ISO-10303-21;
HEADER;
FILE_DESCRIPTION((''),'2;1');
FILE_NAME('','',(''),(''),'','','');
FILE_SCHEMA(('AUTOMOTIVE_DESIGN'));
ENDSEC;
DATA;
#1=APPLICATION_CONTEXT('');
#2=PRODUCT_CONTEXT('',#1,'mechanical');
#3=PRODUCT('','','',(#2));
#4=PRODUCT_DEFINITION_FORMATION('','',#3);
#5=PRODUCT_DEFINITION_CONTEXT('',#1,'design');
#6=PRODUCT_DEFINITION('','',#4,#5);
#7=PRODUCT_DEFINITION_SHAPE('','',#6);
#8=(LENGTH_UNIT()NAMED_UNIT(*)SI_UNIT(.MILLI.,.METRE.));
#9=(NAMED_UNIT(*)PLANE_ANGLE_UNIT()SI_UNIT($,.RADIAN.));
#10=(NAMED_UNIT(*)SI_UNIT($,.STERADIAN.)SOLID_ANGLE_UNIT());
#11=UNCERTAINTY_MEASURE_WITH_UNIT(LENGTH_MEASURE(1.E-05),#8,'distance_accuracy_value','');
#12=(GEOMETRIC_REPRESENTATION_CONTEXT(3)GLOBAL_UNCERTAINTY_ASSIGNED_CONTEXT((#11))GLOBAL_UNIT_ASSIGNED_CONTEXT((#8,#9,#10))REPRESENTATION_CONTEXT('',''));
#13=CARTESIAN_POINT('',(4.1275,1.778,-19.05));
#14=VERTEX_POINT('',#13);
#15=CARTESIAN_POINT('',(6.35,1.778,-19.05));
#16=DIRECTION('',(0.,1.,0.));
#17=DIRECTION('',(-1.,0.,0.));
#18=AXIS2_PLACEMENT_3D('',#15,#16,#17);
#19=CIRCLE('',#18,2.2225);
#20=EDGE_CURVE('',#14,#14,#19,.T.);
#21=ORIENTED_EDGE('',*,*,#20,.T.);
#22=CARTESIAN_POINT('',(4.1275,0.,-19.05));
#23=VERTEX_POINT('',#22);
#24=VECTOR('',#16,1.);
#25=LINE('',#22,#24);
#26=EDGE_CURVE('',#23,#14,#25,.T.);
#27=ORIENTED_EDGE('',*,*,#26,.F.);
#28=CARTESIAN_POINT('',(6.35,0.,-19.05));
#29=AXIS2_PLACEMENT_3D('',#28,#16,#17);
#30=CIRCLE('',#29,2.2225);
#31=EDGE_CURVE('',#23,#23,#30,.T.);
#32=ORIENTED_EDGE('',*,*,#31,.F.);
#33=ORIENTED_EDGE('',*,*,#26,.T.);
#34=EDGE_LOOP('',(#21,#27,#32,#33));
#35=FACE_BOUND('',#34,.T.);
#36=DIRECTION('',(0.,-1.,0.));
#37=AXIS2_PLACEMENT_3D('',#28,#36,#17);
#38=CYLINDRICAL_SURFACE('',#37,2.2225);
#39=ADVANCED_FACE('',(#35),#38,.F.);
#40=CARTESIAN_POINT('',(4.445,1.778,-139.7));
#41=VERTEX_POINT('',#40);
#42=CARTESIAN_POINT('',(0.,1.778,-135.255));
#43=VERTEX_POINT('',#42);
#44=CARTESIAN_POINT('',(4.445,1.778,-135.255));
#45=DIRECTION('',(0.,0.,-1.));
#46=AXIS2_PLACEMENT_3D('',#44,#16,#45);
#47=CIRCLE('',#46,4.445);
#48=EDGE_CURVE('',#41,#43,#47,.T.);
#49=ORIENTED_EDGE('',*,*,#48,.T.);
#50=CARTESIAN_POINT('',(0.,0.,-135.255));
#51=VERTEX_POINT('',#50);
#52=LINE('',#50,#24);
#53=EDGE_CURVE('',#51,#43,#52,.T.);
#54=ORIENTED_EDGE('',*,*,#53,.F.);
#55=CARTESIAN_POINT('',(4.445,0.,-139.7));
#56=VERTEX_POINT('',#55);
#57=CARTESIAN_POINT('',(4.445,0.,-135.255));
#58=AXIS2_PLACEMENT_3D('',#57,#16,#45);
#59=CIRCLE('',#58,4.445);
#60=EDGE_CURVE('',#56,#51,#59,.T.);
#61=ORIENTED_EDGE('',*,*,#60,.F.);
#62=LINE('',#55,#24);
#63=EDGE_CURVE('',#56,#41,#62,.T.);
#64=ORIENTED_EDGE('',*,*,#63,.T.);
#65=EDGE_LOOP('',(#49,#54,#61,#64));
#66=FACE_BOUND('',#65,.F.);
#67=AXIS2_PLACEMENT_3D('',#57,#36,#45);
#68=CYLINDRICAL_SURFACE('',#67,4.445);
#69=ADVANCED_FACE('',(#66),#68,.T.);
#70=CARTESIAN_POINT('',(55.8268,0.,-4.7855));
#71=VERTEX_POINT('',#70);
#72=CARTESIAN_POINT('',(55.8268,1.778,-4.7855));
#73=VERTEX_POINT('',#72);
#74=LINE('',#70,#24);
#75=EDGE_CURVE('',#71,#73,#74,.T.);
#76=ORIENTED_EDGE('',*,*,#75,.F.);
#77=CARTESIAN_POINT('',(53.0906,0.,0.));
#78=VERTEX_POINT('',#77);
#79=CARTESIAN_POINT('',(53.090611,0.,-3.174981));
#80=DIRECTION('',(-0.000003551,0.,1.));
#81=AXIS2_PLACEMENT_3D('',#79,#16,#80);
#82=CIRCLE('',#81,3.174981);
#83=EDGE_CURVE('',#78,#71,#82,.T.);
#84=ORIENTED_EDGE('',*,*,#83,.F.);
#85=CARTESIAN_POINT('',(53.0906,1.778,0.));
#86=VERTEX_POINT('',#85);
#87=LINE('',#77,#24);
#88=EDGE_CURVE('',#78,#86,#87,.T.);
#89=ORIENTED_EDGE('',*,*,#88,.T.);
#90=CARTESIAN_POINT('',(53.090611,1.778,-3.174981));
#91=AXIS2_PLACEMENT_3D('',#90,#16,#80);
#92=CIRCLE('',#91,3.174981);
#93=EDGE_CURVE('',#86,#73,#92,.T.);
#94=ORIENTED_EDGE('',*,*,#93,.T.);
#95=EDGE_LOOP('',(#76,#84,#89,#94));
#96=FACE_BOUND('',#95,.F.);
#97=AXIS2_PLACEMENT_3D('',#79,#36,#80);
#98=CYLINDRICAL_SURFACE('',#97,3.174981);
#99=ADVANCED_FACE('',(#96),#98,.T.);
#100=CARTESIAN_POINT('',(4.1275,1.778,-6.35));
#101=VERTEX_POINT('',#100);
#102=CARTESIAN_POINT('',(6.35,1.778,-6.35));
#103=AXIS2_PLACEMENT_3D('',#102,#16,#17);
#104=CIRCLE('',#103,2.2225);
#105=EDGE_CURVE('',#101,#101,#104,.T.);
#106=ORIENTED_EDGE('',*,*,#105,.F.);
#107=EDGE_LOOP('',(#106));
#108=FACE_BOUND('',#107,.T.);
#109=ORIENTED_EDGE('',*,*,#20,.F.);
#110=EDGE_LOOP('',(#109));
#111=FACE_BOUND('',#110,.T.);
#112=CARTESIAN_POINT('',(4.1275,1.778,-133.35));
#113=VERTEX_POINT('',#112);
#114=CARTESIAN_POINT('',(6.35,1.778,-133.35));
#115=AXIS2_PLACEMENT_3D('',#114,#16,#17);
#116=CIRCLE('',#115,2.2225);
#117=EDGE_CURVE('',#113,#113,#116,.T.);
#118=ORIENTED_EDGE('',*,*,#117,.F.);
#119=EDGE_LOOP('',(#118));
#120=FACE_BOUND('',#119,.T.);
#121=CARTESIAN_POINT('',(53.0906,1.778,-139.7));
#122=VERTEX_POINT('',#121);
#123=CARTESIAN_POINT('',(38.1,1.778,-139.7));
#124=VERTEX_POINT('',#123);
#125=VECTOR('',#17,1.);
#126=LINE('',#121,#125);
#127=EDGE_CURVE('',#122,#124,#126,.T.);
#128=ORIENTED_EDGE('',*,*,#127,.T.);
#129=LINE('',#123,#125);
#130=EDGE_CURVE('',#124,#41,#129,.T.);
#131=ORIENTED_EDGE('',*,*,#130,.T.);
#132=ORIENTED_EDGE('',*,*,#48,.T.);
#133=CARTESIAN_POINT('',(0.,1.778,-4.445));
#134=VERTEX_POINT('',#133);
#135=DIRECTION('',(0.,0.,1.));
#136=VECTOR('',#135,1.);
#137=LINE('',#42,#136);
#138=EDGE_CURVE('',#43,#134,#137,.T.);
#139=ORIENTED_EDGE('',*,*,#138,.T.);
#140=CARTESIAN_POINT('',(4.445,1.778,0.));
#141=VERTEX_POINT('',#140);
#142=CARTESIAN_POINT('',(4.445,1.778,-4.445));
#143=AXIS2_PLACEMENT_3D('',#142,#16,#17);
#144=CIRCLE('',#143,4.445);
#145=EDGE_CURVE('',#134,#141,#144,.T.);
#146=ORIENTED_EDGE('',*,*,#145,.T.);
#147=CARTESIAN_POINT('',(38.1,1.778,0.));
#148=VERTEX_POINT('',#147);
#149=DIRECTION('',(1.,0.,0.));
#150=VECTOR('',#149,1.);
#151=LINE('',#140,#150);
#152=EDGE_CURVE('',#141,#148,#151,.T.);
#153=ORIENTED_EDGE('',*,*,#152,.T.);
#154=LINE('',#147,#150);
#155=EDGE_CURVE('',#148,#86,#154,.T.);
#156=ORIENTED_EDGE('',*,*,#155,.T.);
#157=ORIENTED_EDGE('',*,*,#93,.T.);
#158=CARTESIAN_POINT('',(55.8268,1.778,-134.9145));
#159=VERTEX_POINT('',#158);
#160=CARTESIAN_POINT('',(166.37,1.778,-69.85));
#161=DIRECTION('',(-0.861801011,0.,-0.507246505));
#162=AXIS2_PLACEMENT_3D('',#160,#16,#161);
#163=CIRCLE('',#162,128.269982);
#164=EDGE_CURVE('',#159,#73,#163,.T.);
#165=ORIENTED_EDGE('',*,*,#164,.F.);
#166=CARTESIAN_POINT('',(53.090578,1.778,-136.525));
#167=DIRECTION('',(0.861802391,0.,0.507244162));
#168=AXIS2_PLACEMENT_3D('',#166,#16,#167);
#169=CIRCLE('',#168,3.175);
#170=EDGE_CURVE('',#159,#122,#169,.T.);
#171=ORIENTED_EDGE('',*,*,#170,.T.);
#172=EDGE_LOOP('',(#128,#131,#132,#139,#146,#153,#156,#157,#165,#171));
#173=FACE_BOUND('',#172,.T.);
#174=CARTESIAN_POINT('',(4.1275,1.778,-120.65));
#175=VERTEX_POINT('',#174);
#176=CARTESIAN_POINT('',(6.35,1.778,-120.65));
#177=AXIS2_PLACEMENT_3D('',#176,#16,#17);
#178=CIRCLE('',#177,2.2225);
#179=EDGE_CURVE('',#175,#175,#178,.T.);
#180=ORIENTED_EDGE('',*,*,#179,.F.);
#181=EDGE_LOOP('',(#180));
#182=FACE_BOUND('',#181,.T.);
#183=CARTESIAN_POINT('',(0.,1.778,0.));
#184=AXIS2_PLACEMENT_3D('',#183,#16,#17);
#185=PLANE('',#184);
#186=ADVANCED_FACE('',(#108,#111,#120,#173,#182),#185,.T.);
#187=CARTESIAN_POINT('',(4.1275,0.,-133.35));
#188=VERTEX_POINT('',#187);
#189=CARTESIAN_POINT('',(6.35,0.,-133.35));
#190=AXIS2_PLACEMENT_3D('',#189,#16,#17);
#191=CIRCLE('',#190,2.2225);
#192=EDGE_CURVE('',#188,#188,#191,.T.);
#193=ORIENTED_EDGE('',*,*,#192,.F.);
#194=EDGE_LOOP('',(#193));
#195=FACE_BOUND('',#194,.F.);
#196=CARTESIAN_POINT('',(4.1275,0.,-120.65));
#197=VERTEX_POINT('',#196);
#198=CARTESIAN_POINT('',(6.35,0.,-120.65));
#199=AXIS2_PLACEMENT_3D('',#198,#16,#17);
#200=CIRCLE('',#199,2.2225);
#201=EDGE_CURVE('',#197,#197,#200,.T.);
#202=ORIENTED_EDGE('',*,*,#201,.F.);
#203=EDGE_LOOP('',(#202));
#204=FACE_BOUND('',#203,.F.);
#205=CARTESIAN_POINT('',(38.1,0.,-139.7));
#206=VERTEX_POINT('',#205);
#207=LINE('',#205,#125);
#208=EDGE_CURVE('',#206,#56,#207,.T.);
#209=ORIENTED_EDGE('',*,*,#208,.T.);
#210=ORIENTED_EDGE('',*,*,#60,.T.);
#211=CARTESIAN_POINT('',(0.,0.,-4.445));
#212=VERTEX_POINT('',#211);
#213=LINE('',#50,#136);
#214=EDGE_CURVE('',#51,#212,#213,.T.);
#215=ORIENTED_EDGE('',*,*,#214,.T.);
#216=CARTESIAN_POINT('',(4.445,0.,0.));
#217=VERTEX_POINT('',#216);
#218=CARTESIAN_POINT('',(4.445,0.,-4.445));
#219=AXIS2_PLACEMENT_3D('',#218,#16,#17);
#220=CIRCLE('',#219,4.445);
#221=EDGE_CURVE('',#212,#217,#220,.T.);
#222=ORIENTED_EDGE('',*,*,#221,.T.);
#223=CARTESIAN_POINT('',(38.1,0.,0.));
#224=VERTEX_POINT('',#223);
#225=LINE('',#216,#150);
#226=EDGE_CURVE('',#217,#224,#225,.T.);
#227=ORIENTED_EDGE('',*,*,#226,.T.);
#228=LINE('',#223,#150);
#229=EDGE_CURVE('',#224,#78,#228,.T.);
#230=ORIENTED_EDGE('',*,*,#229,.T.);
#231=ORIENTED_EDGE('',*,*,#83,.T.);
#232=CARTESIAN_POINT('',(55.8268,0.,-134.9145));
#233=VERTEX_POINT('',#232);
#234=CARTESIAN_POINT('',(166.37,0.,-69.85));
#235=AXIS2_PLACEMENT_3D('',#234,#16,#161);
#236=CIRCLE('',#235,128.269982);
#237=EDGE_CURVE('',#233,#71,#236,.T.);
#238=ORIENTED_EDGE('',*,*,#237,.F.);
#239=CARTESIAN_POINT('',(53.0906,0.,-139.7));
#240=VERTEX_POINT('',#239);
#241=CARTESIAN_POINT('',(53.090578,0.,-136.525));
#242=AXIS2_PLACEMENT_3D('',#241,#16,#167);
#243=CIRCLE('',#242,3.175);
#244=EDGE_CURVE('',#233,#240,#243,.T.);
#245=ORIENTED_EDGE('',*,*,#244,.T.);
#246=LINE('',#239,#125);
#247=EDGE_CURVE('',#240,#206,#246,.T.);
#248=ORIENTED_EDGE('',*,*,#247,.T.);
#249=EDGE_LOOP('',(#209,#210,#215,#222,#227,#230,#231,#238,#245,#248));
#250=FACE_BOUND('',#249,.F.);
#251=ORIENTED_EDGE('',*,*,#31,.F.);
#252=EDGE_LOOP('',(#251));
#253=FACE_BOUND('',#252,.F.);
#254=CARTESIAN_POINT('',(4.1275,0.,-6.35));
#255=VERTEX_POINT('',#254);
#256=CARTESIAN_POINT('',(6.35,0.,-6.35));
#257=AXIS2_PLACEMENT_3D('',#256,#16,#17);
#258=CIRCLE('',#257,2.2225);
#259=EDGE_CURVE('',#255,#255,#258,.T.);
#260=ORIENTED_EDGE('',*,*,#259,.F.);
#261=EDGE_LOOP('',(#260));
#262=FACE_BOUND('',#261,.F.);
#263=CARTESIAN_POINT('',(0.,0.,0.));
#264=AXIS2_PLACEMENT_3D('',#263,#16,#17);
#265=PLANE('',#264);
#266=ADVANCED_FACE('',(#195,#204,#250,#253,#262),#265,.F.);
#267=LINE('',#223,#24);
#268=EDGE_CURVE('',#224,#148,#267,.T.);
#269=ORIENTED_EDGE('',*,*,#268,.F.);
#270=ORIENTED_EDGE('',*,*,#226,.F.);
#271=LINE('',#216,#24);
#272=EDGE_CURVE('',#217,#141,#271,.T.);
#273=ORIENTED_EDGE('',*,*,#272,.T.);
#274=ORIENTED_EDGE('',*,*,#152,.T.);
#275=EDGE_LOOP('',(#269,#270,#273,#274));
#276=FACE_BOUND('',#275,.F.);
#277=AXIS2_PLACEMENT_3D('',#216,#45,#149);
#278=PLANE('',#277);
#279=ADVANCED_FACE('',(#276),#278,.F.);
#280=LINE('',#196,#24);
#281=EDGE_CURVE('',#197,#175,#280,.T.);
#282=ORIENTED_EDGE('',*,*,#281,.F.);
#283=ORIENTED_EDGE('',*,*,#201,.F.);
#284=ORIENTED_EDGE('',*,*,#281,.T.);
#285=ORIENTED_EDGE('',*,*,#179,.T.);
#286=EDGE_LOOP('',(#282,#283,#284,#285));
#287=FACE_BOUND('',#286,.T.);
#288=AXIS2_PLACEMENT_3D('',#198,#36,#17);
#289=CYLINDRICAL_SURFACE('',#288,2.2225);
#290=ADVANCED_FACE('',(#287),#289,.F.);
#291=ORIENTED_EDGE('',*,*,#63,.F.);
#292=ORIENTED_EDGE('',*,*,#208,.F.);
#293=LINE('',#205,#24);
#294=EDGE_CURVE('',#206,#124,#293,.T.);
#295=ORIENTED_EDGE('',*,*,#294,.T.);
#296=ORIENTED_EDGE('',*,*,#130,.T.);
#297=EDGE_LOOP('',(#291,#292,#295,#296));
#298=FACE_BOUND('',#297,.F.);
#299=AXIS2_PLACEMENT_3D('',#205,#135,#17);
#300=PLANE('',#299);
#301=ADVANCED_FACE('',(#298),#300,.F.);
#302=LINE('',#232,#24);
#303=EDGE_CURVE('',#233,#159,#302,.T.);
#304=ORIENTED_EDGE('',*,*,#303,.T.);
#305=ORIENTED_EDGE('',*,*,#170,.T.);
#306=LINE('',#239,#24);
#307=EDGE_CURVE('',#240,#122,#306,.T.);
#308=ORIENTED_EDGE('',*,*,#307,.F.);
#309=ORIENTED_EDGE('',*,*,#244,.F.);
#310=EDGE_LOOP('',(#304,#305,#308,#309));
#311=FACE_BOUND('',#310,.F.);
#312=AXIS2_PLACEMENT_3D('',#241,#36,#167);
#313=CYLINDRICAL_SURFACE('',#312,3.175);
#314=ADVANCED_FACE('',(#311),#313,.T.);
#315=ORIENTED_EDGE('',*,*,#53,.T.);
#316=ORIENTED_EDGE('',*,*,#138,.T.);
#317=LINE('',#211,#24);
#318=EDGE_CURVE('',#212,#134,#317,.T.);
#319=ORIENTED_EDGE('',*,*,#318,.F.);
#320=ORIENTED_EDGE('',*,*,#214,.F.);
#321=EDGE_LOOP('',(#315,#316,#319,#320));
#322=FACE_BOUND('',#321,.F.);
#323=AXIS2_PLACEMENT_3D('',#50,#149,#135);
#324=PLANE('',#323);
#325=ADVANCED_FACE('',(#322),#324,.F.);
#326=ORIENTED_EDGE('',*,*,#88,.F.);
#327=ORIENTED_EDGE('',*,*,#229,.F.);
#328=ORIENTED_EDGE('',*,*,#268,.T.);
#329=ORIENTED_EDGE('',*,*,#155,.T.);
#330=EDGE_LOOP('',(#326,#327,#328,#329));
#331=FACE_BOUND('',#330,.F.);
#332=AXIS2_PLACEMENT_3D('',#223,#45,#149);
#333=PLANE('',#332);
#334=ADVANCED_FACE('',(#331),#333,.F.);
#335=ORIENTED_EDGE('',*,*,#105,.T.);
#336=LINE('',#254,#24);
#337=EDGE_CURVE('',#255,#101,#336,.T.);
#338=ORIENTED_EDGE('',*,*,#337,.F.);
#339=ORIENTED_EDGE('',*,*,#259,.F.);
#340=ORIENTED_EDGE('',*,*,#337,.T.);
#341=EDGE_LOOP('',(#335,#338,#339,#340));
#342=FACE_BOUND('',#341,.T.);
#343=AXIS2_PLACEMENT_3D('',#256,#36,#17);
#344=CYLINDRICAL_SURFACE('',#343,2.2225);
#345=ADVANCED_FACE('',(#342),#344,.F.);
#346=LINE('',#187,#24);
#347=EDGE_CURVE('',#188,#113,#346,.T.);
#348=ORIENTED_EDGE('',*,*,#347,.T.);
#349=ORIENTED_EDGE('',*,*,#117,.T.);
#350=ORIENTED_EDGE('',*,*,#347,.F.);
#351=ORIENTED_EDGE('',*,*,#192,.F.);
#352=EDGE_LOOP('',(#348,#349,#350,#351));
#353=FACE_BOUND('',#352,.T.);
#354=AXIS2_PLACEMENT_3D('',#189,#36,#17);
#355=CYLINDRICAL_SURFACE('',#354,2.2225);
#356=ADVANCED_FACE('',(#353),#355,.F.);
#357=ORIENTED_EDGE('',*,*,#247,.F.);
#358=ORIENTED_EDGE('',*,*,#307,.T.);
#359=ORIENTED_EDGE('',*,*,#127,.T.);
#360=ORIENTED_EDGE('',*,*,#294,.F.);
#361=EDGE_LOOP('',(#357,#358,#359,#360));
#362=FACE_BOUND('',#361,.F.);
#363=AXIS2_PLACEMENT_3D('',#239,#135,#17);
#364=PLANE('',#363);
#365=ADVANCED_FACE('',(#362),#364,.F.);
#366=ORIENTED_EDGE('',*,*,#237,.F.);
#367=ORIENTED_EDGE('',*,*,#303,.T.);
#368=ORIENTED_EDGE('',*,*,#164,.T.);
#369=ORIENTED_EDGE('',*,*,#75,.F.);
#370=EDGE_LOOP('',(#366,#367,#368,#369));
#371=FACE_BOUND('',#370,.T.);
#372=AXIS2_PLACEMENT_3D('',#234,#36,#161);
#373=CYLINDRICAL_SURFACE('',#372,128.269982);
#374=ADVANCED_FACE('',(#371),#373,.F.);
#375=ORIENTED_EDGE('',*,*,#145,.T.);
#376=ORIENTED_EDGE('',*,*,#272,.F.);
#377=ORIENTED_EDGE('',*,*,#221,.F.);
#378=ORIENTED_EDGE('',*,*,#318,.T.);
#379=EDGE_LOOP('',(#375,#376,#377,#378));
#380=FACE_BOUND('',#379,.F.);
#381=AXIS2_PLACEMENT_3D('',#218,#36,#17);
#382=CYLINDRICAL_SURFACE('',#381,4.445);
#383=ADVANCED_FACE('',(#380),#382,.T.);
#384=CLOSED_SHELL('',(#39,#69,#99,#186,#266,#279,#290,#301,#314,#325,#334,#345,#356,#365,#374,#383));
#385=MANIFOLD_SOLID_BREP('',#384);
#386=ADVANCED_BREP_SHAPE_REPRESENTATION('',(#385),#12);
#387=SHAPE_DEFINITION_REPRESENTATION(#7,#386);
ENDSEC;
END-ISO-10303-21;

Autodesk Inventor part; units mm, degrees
ref_plane "YZ Plane" through (0, 0, 0) normal (1, 0, 0) x (0, 1, 0)
ref_plane "XZ Plane" through (0, 0, 0) normal (0, 1, 0) x (-1, 0, 0)
ref_plane "XY Plane" through (0, 0, 0) normal (0, 0, 1) x (1, 0, 0)
sketch "Sketch1" plane through (0, 0, 0) normal (0, 1, 0) x (-1, 0, 0)
  line L0 (-4.445, 0) -> (-38.1, 0)
  line L1 (-38.1, -139.7) -> (-4.445, -139.7)
  line L2 (0, -135.255) -> (0, -4.445)
  arc A0 (-55.8268, -134.9145) -> (-55.8268, -4.7855) centre (-166.37, -69.85) ccw
  line L3 (-38.1, 0) -> (-53.0906, 0)
  line L4 (-53.0906, -139.7) -> (-38.1, -139.7)
  arc A1 (-4.445, -139.7) -> (0, -135.255) centre (-4.445, -135.255) ccw
  arc A2 (0, -4.445) -> (-4.445, 0) centre (-4.445, -4.445) ccw
  arc A3 (-53.0906, 0) -> (-55.8268, -4.7855) centre (-53.0906, -3.175) ccw
  arc A4 (-55.8268, -134.9145) -> (-53.0906, -139.7) centre (-53.0906, -136.525) ccw
  circle A5 centre (-6.35, -6.35) radius 2.2225
  circle A6 centre (-6.35, -19.05) radius 2.2225
  circle A7 centre (-6.35, -133.35) radius 2.2225
  circle A8 centre (-6.35, -120.65) radius 2.2225
  point P0 (0, 0)
  point P1 (0, -139.7)
  point P2 (-58.7867, -139.7)
  point P3 (-58.7867, 0)
  dimension "d0" = 38.1
  dimension "d4" = 4.445
  dimension "d5" = 4.445
  dimension "d6" = 3.175
  dimension "d7" = 4.445
  dimension "d8" = 4.445
  dimension "d9" = 4.445
  dimension "d10" = 4.445
extrude "Extrusion1" add sketch "Sketch1" along normal blind 1.778
properties part number "claw_aligner_piece"
